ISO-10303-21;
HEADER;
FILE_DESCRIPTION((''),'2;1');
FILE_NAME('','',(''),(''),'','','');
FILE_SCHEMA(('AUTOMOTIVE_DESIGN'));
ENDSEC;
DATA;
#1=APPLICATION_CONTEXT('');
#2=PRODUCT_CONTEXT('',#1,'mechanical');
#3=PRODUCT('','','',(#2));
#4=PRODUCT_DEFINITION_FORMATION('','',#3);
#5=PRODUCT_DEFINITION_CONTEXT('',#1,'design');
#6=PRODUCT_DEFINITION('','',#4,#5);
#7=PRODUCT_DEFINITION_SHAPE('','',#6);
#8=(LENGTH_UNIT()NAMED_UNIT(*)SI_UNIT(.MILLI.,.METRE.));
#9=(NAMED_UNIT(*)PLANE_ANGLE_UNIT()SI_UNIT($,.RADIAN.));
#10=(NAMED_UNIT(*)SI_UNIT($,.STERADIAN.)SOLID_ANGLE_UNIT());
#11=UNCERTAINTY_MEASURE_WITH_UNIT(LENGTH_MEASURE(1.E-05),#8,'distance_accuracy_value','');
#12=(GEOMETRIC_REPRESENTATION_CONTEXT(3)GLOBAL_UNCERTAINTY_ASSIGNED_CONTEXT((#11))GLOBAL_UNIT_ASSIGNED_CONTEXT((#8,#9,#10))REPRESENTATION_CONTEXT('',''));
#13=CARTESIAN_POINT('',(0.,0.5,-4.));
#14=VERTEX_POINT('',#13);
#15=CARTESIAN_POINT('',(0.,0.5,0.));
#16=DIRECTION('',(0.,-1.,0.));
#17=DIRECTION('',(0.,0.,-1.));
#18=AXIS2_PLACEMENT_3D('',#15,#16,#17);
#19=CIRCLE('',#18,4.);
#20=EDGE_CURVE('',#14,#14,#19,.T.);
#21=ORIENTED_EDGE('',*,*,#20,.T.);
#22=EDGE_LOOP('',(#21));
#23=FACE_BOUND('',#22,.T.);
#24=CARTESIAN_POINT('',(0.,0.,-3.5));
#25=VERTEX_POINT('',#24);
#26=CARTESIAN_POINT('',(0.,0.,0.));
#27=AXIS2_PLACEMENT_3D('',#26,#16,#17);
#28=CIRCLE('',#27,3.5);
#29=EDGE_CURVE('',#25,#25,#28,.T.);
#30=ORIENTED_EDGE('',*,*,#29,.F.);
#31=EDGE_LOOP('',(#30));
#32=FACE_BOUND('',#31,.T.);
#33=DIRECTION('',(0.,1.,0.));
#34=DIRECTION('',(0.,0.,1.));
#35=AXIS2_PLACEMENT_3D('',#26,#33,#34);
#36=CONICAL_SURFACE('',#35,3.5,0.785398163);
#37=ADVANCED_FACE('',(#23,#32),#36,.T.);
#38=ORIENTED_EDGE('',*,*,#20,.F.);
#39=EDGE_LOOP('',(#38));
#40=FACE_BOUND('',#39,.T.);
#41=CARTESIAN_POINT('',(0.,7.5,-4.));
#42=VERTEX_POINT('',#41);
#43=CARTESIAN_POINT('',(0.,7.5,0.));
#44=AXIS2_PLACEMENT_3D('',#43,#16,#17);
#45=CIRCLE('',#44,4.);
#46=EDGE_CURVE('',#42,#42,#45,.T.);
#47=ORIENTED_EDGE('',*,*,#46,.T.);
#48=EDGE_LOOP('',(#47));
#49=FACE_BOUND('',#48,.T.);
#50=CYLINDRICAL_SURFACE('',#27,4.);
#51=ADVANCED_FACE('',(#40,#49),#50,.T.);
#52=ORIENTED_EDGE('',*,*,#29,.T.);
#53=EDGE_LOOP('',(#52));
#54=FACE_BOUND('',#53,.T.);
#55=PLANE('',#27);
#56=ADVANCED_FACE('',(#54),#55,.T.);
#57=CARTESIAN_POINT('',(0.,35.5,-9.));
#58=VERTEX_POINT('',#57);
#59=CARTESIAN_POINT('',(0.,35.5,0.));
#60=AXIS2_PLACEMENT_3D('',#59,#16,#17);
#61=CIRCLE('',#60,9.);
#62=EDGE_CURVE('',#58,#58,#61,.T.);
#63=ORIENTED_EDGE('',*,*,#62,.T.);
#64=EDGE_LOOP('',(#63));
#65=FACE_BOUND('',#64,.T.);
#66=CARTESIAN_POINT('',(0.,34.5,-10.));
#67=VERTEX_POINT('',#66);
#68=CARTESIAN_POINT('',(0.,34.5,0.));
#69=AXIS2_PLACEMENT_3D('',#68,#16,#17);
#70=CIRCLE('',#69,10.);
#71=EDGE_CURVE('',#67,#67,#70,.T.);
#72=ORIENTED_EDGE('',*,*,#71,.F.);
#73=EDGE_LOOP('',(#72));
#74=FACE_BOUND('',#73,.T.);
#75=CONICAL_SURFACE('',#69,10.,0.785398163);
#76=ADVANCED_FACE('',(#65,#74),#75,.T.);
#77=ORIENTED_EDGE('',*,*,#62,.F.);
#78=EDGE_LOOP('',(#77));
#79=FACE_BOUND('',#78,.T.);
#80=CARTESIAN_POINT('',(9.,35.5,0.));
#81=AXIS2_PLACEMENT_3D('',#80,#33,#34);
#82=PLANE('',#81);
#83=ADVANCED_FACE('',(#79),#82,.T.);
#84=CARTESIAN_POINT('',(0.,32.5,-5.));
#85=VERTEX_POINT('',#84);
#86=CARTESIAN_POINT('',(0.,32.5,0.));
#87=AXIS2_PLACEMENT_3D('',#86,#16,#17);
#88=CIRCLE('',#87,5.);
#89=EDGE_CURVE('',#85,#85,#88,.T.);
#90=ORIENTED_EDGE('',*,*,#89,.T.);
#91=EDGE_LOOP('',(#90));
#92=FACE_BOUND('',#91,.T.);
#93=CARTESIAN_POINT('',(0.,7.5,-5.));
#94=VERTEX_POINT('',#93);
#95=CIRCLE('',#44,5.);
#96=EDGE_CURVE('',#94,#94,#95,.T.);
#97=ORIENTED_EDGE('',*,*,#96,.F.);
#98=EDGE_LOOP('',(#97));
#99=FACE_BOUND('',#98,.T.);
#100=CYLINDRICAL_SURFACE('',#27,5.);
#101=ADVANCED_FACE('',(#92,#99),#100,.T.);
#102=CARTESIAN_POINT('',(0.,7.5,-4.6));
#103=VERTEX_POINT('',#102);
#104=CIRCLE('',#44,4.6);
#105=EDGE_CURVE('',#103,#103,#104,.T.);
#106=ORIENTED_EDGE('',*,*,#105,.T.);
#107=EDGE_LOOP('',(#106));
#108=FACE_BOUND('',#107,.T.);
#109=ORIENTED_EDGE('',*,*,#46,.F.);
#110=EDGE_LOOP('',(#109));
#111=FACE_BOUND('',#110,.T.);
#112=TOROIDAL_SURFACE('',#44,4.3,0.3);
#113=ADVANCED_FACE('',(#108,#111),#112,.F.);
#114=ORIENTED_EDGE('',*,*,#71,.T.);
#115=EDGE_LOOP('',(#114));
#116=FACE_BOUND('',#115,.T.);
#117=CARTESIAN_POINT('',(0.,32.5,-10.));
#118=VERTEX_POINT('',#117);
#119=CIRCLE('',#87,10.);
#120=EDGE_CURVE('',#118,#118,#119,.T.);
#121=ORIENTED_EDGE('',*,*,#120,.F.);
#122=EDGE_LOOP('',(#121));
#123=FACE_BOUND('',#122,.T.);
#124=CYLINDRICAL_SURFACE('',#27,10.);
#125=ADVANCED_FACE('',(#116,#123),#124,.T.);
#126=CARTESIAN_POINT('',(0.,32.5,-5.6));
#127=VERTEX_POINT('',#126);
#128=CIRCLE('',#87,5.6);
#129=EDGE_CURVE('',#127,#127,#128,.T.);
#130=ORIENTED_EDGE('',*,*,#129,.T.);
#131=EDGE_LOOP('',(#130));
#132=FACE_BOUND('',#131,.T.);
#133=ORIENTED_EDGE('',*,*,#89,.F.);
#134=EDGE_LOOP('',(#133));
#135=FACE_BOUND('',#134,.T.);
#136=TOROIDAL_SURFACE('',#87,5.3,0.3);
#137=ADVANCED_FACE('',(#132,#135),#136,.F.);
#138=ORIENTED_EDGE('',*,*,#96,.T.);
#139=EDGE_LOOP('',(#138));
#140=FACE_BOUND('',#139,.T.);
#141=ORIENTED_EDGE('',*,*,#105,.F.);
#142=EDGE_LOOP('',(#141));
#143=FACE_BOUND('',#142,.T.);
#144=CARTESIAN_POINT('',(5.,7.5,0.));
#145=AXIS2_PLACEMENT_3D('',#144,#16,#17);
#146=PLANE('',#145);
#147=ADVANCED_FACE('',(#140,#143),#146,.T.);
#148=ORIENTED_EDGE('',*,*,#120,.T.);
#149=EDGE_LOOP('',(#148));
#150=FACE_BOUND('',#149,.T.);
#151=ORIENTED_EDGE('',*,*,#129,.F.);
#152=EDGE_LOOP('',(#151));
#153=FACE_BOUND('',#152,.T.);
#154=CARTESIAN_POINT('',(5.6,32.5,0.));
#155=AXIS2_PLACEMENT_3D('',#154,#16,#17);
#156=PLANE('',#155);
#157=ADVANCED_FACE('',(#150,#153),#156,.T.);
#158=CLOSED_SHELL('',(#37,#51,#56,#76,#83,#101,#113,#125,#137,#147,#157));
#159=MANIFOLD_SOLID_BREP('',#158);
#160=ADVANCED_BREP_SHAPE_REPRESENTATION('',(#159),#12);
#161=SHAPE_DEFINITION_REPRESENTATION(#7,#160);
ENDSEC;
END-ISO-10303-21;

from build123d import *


with BuildPart() as part:
    # Esquisse1 → Base-Révolution (revolve)
    with BuildSketch(Plane.XY, mode=Mode.PRIVATE) as base_r_volution_sk:
        with BuildLine():
            Line((0, 0), (3.5, 0))
            Line((3.5, 0), (4, 0.5))
            Line((4, 0.5), (4, 7.5))
            ThreePointArc((4, 7.5), (4.3, 7.8), (4.6, 7.5))
            Line((4.6, 7.5), (5, 7.5))
            Line((5, 7.5), (5, 32.5))
            ThreePointArc((5, 32.5), (5.3, 32.8), (5.6, 32.5))
            Line((5.6, 32.5), (10, 32.5))
            Line((10, 32.5), (10, 34.5))
            Line((10, 34.5), (9, 35.5))
            Line((9, 35.5), (0, 35.5))
            Line((0, 35.5), (0, 0))
        make_face()
    revolve(base_r_volution_sk.sketch.rotate(Axis((0, 0, 0), (0, 1, 0)), 90), axis=Axis((0, 0, 0), (0, 1, 0)))


solid = part.part
